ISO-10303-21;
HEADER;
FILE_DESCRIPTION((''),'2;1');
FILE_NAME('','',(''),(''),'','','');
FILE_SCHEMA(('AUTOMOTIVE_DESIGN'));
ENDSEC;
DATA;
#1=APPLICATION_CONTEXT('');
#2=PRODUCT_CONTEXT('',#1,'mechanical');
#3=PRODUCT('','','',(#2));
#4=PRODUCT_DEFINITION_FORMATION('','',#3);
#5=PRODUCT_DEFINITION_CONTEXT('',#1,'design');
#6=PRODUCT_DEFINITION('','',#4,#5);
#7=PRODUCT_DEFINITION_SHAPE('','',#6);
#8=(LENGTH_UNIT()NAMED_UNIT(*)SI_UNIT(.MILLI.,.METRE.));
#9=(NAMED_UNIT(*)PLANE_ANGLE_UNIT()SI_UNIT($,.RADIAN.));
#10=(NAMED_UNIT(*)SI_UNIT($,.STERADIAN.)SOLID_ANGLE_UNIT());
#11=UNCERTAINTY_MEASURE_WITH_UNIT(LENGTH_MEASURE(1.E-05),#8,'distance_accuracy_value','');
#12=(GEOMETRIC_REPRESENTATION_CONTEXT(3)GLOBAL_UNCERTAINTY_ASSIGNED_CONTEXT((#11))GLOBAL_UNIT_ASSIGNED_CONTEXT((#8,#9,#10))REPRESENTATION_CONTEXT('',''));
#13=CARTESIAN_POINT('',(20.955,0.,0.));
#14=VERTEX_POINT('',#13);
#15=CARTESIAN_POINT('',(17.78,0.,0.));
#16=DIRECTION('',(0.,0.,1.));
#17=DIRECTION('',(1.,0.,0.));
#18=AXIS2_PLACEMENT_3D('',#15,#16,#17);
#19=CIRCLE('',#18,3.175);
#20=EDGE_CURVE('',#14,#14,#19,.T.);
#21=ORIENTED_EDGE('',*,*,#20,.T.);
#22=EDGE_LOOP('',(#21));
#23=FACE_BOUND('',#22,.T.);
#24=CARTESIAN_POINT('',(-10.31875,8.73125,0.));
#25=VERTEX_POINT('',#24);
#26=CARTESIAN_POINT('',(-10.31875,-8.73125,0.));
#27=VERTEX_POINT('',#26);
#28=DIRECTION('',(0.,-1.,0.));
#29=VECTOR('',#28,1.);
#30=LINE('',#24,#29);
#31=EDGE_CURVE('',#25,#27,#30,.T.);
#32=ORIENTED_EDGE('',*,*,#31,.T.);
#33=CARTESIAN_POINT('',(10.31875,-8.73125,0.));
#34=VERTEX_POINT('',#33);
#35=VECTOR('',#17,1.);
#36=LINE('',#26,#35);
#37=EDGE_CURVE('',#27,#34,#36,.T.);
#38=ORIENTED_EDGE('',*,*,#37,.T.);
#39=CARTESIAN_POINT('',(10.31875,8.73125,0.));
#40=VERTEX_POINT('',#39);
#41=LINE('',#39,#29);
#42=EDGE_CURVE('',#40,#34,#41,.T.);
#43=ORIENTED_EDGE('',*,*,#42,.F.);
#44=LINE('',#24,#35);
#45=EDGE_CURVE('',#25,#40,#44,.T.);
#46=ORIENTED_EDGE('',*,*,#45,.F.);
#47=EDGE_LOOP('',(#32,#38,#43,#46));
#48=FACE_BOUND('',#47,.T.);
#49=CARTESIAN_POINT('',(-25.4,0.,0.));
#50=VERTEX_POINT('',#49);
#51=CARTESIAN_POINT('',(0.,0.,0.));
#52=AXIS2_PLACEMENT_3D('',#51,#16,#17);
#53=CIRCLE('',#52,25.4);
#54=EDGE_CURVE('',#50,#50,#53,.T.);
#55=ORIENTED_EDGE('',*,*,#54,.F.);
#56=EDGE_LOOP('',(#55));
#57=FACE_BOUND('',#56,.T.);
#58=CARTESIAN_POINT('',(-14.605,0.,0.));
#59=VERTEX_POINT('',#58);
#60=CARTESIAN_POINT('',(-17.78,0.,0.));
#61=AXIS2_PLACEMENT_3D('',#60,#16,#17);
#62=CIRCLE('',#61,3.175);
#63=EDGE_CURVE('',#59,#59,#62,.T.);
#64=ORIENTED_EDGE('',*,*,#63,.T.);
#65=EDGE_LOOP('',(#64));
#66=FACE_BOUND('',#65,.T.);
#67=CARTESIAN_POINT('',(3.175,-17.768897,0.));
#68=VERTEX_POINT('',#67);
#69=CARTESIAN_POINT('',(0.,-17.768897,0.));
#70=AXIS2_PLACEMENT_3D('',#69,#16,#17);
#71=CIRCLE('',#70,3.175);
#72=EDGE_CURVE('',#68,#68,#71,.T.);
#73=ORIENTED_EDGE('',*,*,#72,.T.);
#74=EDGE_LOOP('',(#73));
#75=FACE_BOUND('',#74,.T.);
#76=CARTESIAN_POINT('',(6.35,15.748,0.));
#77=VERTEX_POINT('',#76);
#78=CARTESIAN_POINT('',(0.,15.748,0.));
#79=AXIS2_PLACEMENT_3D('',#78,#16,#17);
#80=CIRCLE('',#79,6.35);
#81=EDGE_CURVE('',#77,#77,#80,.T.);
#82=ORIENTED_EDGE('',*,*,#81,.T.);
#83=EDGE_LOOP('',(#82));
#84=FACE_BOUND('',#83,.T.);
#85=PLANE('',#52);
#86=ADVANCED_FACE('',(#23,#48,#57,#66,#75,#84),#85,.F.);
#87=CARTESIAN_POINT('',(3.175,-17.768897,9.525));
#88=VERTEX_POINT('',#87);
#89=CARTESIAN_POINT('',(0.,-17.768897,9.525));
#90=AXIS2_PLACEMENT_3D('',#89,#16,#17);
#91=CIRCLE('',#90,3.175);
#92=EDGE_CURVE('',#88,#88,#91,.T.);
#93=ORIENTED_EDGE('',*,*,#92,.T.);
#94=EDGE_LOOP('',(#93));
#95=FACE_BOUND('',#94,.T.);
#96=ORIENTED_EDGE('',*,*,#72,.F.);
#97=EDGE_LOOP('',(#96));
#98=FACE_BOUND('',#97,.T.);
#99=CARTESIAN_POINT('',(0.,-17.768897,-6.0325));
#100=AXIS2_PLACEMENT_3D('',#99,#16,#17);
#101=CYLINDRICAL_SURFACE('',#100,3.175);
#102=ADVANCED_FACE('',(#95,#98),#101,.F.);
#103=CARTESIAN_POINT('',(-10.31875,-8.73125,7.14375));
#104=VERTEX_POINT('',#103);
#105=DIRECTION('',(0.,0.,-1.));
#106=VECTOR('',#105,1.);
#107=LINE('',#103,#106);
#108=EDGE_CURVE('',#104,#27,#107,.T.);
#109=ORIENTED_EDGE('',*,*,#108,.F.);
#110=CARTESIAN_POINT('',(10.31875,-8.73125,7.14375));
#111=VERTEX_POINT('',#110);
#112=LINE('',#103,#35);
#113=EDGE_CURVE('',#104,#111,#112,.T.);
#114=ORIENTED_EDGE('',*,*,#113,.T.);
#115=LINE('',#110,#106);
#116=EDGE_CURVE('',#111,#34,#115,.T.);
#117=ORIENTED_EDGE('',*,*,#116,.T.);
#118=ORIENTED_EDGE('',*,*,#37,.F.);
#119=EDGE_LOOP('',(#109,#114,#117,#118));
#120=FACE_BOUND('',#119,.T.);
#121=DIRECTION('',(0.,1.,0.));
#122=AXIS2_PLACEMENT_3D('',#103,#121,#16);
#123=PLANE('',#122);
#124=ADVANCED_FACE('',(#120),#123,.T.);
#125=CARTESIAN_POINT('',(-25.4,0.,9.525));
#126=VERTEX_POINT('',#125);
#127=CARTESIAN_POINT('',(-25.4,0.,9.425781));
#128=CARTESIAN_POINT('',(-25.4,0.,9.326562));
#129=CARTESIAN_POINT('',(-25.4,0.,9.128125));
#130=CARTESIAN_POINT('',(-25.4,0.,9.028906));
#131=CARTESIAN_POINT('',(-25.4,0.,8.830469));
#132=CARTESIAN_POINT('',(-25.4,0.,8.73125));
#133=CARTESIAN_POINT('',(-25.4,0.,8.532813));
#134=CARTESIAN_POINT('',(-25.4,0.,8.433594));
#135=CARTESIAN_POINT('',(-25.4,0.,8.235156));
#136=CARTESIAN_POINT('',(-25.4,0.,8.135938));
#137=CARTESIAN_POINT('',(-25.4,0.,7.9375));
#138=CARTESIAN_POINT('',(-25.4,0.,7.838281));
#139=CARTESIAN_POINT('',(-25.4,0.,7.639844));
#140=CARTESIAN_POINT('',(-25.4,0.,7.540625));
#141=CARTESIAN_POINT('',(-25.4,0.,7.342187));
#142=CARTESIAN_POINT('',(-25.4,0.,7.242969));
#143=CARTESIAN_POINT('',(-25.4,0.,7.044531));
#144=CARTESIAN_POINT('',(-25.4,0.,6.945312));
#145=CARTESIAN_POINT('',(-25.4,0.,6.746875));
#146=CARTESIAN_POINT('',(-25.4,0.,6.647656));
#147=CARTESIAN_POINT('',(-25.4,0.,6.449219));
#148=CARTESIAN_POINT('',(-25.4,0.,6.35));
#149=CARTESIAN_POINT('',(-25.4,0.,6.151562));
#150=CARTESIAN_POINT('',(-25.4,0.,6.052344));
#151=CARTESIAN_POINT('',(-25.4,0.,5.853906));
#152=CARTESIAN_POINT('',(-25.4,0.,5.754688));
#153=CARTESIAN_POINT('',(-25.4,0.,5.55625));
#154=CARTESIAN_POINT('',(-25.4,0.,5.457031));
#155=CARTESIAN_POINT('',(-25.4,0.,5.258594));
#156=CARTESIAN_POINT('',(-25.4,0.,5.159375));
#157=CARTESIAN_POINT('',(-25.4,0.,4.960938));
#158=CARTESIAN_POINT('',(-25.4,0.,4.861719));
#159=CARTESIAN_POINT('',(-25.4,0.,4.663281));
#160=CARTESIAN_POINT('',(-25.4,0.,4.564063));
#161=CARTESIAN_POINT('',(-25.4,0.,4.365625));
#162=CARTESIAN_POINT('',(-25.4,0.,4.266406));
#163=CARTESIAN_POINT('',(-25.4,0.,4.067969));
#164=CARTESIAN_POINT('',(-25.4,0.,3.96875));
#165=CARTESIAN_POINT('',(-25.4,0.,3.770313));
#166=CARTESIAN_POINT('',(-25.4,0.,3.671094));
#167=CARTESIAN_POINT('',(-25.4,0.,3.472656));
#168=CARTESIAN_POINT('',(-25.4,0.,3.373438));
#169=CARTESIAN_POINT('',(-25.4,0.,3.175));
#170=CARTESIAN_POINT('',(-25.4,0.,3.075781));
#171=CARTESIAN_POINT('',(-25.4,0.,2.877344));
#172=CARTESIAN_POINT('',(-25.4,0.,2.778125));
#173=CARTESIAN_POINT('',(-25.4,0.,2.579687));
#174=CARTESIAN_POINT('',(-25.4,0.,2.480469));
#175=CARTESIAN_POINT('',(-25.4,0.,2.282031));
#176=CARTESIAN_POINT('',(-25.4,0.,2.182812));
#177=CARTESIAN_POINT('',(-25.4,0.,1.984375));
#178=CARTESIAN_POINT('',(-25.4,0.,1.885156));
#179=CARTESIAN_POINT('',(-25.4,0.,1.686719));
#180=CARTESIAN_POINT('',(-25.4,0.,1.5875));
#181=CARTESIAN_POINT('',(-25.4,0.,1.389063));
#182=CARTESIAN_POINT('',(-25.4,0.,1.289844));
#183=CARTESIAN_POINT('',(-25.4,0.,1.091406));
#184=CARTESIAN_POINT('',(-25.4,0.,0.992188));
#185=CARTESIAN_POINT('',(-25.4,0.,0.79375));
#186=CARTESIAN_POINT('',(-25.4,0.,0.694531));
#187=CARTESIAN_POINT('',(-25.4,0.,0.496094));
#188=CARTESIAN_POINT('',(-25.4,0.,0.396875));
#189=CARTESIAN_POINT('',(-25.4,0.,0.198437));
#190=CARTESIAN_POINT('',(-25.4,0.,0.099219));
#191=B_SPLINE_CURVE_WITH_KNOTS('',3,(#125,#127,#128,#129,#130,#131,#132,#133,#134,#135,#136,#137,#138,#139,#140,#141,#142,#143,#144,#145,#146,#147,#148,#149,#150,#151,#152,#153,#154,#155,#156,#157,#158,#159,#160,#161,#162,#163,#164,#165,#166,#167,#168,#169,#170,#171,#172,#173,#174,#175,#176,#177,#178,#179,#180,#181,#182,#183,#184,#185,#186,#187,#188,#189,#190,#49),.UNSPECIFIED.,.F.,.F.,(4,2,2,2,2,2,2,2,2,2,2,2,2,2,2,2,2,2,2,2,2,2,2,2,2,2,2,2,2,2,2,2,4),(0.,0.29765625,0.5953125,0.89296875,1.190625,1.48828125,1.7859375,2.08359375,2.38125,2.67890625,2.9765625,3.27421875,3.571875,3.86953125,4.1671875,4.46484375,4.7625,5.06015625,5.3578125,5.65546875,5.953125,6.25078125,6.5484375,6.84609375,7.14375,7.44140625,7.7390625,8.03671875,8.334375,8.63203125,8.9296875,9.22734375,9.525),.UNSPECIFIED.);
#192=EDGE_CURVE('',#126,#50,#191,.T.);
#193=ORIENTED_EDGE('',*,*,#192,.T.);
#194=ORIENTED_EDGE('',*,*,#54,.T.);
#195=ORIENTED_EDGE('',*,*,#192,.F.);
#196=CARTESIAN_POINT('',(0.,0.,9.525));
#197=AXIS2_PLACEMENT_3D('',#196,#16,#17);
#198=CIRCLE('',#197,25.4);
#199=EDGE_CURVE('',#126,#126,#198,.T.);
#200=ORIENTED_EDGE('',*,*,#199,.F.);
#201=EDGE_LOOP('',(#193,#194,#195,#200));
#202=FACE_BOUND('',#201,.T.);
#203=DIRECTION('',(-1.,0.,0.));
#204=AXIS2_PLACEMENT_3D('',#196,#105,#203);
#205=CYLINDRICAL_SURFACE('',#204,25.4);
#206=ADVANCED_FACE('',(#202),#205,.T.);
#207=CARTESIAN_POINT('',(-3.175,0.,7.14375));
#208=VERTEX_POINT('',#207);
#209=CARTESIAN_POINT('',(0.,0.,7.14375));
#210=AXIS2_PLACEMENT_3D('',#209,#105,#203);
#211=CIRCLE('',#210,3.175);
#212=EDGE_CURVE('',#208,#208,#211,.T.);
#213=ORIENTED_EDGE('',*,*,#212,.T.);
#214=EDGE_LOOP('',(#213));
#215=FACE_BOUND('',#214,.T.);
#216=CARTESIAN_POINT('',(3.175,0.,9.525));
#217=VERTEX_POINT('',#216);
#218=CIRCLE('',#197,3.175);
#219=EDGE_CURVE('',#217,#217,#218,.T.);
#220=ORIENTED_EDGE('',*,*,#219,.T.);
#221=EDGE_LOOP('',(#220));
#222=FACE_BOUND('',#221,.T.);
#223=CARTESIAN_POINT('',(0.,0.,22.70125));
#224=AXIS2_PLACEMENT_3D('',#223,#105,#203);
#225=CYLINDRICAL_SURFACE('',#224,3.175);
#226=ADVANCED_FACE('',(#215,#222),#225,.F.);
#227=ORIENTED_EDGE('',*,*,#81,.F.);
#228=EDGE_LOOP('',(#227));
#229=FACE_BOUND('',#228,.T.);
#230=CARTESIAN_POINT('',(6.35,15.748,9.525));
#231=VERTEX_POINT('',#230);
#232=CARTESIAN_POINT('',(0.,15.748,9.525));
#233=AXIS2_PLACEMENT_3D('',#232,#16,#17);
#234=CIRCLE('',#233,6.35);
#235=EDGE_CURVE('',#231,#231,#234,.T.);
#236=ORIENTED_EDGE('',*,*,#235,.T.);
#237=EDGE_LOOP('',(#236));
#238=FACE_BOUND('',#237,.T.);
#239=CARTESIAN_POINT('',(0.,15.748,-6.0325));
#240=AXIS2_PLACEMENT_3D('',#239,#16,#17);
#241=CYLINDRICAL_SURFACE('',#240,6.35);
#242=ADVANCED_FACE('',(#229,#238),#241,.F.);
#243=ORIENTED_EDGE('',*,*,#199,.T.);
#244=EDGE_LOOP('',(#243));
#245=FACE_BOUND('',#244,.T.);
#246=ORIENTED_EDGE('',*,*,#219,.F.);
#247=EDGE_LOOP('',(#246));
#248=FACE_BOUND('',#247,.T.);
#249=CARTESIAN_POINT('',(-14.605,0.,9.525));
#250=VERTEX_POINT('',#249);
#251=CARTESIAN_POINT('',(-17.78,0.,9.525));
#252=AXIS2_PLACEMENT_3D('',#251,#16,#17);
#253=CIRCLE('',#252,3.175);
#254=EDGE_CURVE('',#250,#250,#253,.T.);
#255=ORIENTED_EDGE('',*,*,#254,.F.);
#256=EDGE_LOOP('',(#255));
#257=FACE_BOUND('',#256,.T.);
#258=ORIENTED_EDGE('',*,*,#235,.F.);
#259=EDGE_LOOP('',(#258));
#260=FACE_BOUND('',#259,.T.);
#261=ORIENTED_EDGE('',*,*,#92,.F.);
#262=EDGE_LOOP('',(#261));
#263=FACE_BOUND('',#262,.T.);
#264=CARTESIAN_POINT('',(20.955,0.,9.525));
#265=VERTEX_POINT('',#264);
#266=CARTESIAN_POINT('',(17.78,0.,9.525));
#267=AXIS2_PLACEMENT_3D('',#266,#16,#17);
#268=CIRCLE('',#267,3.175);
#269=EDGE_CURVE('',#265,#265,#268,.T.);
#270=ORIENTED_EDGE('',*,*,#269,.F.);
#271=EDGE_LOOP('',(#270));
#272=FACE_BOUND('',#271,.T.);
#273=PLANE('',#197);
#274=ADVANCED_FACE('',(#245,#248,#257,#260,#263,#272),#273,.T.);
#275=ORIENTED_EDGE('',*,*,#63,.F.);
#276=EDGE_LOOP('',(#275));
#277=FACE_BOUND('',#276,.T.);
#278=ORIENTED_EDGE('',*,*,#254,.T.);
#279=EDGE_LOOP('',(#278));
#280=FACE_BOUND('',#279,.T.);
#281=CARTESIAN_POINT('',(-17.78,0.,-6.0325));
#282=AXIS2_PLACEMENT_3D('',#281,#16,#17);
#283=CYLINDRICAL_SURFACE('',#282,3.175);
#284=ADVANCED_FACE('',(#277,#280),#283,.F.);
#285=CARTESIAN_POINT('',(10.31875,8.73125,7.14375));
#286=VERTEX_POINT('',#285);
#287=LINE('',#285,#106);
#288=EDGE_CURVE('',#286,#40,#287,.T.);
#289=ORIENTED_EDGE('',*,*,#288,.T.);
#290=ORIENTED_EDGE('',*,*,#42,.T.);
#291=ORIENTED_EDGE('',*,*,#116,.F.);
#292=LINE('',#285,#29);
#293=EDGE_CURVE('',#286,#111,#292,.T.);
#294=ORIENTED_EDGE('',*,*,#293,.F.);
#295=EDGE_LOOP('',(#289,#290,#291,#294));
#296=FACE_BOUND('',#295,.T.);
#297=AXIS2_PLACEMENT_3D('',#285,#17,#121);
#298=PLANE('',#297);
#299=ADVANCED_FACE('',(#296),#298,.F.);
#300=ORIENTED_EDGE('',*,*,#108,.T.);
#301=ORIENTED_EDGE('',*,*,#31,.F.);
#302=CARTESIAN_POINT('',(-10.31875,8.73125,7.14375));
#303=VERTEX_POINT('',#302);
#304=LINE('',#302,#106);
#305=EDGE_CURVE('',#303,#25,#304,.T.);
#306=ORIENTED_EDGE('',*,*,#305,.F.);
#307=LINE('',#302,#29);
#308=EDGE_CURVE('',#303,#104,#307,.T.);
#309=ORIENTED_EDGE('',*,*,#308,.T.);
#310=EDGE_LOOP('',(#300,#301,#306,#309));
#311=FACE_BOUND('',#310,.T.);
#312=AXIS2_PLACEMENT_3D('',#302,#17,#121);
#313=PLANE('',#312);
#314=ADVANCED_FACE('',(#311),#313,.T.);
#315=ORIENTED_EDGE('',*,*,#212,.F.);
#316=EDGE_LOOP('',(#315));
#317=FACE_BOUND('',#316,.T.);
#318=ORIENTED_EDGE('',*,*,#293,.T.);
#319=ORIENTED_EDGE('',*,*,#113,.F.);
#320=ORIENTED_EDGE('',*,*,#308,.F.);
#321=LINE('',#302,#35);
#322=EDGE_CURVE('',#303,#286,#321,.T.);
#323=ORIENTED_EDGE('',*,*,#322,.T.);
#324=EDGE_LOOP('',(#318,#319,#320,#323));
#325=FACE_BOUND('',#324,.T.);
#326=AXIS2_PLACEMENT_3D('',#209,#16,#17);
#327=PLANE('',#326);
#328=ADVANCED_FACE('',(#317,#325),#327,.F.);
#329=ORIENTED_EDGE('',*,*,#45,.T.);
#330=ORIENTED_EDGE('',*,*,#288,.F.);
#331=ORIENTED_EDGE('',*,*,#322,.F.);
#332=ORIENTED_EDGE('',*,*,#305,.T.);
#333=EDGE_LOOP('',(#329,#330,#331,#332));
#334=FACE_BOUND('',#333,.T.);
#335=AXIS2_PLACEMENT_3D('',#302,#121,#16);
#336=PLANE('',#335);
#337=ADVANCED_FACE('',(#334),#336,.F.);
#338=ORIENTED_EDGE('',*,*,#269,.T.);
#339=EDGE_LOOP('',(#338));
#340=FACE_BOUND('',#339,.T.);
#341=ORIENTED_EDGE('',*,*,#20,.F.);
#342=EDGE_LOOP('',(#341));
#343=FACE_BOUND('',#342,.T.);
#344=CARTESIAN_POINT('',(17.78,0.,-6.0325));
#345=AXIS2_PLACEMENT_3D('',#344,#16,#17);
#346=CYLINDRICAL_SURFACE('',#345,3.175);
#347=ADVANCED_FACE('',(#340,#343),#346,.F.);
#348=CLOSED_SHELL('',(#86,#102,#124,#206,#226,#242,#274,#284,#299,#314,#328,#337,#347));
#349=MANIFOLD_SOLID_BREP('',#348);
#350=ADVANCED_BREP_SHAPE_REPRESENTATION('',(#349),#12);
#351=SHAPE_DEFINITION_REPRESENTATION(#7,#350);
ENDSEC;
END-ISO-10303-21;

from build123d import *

# Parameters (mm, degrees)
SKETCH1_R           = 25.4
BOSS_EXTRUDE1_DEPTH = 9.525
SKETCH2_W           = 20.6375
SKETCH2_H           = 17.4625
CUT_EXTRUDE1_DEPTH  = 7.14375
SKETCH3_R           = 3.175
CUT_EXTRUDE9_DEPTH  = 15.5575
SKETCH5_R           = 6.35
SKETCH5_R_2         = 3.175
CUT_EXTRUDE10_DEPTH = 15.5575


with BuildPart() as part:
    # Sketch1 → Boss-Extrude1 (new body)
    with BuildSketch(Plane.XY):
        with Locations(Location((0, 0, 0), (0, 0, 180))):
            Circle(SKETCH1_R)
    extrude(amount=BOSS_EXTRUDE1_DEPTH)

    # Sketch2 → Cut-Extrude1 (cut)
    with BuildSketch(Plane.XY):
        Rectangle(SKETCH2_W, SKETCH2_H)
    extrude(amount=CUT_EXTRUDE1_DEPTH, mode=Mode.SUBTRACT)

    # Sketch3 → Cut-Extrude9 (cut)
    with BuildSketch(Plane(origin=(0, 0, 7.14375), x_dir=(-1, 0, 0), z_dir=(0, 0, -1))):
        Circle(SKETCH3_R)
    extrude(amount=-CUT_EXTRUDE9_DEPTH, mode=Mode.SUBTRACT)

    # Sketch5 → Cut-Extrude10 (cut)
    with BuildSketch(Plane.XY.offset(9.525)):
        with Locations((0, 15.748)):
            Circle(SKETCH5_R)
        with Locations((17.78, 0)):
            Circle(SKETCH5_R_2)
        with Locations((0, -17.768897269)):
            Circle(SKETCH5_R_2)
        with Locations((-17.78, 0)):
            Circle(SKETCH5_R_2)
    extrude(amount=-CUT_EXTRUDE10_DEPTH, mode=Mode.SUBTRACT)


solid = part.part
